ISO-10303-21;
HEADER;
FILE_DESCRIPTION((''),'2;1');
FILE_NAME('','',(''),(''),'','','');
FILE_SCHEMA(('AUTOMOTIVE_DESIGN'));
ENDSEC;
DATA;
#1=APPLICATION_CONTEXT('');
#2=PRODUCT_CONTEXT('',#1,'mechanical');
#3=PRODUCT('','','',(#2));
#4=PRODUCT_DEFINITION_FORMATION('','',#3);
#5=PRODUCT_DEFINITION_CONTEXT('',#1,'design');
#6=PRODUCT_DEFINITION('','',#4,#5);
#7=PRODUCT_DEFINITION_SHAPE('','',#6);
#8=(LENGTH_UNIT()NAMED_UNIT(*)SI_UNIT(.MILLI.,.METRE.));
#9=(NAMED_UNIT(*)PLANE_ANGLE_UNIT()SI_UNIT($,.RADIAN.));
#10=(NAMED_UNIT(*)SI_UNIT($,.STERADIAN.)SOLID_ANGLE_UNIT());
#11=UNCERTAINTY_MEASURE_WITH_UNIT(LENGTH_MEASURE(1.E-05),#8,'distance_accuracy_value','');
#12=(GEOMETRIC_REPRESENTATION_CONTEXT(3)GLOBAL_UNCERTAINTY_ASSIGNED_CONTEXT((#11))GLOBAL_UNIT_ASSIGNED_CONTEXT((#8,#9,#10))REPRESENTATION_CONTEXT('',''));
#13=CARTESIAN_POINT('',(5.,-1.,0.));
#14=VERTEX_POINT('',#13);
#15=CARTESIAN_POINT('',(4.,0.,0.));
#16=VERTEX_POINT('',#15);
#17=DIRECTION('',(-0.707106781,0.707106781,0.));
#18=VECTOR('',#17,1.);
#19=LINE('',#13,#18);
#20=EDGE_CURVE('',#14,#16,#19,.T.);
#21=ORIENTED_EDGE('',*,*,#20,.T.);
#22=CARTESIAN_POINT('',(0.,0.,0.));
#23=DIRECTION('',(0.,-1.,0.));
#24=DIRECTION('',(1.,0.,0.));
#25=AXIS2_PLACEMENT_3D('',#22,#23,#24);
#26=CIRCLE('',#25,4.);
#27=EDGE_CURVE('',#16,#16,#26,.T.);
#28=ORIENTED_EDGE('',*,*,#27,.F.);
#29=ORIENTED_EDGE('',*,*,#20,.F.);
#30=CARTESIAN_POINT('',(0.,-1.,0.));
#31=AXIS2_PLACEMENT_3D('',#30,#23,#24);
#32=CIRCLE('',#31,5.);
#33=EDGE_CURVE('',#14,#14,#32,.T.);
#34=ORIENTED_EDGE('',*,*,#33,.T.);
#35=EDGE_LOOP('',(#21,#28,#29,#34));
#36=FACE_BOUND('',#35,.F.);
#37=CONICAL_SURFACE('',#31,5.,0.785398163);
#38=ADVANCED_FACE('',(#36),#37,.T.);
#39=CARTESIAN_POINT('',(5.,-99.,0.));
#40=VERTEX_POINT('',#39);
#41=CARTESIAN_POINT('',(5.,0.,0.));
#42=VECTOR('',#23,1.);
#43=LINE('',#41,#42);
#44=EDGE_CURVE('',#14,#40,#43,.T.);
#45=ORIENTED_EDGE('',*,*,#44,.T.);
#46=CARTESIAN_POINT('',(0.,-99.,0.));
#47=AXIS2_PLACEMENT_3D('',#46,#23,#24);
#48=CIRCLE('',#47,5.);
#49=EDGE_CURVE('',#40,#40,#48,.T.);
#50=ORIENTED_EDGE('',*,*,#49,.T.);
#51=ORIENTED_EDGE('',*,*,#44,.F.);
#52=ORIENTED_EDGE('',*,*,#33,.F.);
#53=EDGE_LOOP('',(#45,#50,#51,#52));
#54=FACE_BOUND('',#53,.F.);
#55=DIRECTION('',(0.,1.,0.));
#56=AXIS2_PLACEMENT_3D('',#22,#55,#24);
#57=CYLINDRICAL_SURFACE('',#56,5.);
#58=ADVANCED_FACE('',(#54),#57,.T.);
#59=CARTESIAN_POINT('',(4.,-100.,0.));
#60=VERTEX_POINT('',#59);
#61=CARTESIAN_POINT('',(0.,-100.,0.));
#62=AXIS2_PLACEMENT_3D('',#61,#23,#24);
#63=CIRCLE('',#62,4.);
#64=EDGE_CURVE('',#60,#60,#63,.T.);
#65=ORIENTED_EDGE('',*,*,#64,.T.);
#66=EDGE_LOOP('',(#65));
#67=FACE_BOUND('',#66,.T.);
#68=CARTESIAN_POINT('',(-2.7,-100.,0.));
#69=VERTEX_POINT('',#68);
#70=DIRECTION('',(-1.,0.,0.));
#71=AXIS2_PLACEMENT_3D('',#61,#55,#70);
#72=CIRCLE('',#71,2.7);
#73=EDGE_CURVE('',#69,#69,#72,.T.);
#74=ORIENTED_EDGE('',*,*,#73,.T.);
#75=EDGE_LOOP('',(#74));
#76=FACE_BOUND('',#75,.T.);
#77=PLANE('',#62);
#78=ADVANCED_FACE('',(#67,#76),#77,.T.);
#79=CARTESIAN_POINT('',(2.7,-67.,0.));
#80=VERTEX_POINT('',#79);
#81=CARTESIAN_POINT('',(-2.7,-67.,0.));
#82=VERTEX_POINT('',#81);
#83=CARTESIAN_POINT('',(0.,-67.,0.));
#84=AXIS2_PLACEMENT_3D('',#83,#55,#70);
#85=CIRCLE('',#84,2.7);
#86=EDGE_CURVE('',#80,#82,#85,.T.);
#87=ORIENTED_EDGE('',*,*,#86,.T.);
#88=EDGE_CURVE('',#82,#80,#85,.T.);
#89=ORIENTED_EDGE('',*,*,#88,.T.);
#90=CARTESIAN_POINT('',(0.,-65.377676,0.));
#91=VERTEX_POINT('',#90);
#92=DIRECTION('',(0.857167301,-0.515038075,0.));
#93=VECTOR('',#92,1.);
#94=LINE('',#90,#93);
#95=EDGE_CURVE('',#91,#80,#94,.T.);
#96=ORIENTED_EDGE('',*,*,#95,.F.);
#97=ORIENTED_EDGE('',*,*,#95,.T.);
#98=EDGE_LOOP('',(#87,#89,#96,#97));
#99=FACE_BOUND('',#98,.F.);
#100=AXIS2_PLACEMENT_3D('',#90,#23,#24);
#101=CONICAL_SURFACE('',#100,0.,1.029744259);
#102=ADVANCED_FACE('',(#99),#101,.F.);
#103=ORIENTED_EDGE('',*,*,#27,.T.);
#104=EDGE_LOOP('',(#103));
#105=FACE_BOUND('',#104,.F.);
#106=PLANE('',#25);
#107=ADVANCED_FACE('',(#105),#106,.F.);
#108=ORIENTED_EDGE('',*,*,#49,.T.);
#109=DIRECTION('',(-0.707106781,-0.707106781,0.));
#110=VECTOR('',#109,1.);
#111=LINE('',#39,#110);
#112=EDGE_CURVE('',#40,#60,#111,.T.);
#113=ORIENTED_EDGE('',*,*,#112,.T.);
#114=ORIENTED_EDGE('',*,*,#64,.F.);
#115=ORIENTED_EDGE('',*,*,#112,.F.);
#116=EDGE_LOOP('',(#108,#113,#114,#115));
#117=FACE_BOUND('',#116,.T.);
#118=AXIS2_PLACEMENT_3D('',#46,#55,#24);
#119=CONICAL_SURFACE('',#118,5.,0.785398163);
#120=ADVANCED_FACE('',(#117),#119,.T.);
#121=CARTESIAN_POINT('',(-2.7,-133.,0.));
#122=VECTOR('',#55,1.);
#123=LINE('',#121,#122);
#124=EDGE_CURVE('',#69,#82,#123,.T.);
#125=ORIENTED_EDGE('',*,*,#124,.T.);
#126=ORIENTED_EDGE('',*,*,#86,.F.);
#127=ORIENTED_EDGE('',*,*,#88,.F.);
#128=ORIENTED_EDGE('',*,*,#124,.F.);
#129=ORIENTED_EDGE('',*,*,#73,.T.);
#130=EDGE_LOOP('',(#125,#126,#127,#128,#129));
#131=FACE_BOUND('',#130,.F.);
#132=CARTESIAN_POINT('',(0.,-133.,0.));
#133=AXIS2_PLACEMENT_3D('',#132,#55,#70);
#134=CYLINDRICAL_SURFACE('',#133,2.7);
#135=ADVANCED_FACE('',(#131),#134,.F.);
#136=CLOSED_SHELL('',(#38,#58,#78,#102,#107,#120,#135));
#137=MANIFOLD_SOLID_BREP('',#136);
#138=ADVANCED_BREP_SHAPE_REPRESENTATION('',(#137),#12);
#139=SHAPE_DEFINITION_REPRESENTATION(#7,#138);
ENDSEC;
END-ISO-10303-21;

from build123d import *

# Parameters (mm, degrees)
F0_R     = 5
F1_DEPTH = 100
F2_SIZE  = 1
F4_D     = 5.4
F4_DEPTH = 33
F4_TIP   = 1.6223236714


with BuildPart() as f1:
    # F0 (on Front) → F1 (new body)
    with BuildSketch(Plane.XZ):
        Circle(F0_R)
    extrude(amount=F1_DEPTH)

    # F2
    f2_edges = [f1.edges().sort_by_distance(p)[0] for p in [
        (-5, -100, 0),
        (-5, 0, 0),
    ]]
    chamfer(f2_edges, length=F2_SIZE)

    # F4
    with Locations(Plane.XZ.offset(100)):
        with Locations((0, 0)):
            Hole(F4_D / 2, depth=F4_DEPTH)
            with Locations((0, 0, -(F4_DEPTH + F4_TIP / 2))):  # 118° drill point
                Cone(0, F4_D / 2, F4_TIP, mode=Mode.SUBTRACT)


solid = f1.part
